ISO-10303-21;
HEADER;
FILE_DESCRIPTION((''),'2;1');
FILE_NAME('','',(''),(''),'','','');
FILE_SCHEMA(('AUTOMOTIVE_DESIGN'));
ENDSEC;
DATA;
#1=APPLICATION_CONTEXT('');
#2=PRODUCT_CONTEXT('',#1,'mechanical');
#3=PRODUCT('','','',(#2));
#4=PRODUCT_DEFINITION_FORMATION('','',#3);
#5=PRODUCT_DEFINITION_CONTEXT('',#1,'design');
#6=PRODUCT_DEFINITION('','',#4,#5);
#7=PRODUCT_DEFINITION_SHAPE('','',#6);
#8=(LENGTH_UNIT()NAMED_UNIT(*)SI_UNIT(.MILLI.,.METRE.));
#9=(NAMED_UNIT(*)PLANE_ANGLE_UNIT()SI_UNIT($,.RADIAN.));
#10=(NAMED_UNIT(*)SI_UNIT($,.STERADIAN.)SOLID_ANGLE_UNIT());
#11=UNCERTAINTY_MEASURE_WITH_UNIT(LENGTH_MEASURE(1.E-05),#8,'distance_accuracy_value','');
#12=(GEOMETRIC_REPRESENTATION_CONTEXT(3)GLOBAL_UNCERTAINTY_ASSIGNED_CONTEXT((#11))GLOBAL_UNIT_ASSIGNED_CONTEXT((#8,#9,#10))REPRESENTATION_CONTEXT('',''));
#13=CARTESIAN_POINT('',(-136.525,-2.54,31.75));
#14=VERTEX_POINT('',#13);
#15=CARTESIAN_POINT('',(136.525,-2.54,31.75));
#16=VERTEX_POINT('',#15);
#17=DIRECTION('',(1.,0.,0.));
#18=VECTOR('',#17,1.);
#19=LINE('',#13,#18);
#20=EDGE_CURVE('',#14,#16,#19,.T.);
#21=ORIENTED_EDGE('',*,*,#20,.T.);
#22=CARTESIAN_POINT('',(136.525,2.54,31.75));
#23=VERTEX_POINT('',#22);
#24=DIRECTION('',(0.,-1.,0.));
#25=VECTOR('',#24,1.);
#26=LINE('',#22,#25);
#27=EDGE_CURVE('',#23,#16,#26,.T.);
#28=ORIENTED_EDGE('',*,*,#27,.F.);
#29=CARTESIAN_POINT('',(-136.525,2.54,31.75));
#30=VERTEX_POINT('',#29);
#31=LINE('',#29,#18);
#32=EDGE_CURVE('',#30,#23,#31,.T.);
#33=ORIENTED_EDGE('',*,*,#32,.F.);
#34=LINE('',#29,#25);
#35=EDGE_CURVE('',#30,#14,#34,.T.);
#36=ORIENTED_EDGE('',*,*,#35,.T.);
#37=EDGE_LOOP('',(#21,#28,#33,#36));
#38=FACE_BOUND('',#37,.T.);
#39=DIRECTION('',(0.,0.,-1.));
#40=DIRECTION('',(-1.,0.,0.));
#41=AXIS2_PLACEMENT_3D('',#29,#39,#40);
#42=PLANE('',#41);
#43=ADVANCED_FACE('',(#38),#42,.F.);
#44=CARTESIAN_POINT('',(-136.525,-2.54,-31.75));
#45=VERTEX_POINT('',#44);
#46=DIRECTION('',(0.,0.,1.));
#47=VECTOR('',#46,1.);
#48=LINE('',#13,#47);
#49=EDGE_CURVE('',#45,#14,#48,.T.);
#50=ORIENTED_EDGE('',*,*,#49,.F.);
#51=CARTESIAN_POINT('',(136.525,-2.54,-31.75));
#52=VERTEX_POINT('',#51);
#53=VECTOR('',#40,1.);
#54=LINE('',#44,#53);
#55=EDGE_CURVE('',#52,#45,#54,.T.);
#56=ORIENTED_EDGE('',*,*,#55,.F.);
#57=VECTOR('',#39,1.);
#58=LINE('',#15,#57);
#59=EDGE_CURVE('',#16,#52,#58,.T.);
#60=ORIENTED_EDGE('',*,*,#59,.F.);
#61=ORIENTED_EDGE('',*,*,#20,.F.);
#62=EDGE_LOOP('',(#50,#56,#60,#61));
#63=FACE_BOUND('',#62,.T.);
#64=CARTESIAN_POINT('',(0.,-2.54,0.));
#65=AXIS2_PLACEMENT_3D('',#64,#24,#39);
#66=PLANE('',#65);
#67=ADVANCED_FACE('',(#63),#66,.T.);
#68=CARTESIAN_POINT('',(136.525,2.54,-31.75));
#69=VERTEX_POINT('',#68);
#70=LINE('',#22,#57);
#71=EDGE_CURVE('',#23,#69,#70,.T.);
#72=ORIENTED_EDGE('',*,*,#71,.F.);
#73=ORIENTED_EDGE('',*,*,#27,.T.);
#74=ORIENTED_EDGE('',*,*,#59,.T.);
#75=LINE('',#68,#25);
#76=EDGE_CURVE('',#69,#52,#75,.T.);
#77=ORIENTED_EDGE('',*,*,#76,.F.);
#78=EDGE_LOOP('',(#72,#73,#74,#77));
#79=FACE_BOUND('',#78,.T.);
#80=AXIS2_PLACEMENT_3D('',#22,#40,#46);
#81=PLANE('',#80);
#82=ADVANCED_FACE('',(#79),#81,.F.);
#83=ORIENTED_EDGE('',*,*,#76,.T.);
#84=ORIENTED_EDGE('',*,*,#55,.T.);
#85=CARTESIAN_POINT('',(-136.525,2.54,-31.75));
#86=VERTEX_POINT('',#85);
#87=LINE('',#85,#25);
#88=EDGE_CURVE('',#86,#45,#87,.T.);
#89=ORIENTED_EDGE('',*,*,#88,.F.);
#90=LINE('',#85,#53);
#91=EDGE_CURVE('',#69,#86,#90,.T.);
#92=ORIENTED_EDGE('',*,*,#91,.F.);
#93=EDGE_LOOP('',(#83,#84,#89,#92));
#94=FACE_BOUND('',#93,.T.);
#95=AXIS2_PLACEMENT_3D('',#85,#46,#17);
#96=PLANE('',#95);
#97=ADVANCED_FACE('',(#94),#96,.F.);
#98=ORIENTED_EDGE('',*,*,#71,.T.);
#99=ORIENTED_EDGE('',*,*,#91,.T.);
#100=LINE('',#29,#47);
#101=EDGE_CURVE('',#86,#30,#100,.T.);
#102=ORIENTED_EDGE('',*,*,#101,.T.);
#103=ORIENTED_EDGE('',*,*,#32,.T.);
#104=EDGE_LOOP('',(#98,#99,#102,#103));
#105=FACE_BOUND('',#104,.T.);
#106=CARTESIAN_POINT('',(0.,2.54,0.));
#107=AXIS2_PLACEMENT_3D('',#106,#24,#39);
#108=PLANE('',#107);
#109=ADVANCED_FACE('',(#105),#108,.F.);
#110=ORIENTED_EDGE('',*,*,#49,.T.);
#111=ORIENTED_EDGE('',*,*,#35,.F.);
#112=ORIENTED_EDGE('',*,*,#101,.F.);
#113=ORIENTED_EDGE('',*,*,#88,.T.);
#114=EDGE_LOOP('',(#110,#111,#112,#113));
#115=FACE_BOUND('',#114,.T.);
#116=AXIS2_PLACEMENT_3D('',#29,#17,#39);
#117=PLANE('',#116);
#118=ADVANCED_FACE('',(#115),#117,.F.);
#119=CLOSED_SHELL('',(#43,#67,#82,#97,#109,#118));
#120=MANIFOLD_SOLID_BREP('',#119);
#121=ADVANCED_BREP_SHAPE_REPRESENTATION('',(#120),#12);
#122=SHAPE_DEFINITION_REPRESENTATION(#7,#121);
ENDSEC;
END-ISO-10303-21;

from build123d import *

# Parameters (mm, degrees)
SKETCH1_W           = 273.05
SKETCH1_H           = 63.5
BOSS_EXTRUDE1_DEPTH = 2.54


with BuildPart() as part:
    # Sketch1 → Boss-Extrude1 (new body, symmetric)
    with BuildSketch(Plane(origin=(0, 0, 0), x_dir=(1, 0, 0), z_dir=(0, 1, 0))):
        Rectangle(SKETCH1_W, SKETCH1_H)
    extrude(amount=BOSS_EXTRUDE1_DEPTH, both=True)


solid = part.part
